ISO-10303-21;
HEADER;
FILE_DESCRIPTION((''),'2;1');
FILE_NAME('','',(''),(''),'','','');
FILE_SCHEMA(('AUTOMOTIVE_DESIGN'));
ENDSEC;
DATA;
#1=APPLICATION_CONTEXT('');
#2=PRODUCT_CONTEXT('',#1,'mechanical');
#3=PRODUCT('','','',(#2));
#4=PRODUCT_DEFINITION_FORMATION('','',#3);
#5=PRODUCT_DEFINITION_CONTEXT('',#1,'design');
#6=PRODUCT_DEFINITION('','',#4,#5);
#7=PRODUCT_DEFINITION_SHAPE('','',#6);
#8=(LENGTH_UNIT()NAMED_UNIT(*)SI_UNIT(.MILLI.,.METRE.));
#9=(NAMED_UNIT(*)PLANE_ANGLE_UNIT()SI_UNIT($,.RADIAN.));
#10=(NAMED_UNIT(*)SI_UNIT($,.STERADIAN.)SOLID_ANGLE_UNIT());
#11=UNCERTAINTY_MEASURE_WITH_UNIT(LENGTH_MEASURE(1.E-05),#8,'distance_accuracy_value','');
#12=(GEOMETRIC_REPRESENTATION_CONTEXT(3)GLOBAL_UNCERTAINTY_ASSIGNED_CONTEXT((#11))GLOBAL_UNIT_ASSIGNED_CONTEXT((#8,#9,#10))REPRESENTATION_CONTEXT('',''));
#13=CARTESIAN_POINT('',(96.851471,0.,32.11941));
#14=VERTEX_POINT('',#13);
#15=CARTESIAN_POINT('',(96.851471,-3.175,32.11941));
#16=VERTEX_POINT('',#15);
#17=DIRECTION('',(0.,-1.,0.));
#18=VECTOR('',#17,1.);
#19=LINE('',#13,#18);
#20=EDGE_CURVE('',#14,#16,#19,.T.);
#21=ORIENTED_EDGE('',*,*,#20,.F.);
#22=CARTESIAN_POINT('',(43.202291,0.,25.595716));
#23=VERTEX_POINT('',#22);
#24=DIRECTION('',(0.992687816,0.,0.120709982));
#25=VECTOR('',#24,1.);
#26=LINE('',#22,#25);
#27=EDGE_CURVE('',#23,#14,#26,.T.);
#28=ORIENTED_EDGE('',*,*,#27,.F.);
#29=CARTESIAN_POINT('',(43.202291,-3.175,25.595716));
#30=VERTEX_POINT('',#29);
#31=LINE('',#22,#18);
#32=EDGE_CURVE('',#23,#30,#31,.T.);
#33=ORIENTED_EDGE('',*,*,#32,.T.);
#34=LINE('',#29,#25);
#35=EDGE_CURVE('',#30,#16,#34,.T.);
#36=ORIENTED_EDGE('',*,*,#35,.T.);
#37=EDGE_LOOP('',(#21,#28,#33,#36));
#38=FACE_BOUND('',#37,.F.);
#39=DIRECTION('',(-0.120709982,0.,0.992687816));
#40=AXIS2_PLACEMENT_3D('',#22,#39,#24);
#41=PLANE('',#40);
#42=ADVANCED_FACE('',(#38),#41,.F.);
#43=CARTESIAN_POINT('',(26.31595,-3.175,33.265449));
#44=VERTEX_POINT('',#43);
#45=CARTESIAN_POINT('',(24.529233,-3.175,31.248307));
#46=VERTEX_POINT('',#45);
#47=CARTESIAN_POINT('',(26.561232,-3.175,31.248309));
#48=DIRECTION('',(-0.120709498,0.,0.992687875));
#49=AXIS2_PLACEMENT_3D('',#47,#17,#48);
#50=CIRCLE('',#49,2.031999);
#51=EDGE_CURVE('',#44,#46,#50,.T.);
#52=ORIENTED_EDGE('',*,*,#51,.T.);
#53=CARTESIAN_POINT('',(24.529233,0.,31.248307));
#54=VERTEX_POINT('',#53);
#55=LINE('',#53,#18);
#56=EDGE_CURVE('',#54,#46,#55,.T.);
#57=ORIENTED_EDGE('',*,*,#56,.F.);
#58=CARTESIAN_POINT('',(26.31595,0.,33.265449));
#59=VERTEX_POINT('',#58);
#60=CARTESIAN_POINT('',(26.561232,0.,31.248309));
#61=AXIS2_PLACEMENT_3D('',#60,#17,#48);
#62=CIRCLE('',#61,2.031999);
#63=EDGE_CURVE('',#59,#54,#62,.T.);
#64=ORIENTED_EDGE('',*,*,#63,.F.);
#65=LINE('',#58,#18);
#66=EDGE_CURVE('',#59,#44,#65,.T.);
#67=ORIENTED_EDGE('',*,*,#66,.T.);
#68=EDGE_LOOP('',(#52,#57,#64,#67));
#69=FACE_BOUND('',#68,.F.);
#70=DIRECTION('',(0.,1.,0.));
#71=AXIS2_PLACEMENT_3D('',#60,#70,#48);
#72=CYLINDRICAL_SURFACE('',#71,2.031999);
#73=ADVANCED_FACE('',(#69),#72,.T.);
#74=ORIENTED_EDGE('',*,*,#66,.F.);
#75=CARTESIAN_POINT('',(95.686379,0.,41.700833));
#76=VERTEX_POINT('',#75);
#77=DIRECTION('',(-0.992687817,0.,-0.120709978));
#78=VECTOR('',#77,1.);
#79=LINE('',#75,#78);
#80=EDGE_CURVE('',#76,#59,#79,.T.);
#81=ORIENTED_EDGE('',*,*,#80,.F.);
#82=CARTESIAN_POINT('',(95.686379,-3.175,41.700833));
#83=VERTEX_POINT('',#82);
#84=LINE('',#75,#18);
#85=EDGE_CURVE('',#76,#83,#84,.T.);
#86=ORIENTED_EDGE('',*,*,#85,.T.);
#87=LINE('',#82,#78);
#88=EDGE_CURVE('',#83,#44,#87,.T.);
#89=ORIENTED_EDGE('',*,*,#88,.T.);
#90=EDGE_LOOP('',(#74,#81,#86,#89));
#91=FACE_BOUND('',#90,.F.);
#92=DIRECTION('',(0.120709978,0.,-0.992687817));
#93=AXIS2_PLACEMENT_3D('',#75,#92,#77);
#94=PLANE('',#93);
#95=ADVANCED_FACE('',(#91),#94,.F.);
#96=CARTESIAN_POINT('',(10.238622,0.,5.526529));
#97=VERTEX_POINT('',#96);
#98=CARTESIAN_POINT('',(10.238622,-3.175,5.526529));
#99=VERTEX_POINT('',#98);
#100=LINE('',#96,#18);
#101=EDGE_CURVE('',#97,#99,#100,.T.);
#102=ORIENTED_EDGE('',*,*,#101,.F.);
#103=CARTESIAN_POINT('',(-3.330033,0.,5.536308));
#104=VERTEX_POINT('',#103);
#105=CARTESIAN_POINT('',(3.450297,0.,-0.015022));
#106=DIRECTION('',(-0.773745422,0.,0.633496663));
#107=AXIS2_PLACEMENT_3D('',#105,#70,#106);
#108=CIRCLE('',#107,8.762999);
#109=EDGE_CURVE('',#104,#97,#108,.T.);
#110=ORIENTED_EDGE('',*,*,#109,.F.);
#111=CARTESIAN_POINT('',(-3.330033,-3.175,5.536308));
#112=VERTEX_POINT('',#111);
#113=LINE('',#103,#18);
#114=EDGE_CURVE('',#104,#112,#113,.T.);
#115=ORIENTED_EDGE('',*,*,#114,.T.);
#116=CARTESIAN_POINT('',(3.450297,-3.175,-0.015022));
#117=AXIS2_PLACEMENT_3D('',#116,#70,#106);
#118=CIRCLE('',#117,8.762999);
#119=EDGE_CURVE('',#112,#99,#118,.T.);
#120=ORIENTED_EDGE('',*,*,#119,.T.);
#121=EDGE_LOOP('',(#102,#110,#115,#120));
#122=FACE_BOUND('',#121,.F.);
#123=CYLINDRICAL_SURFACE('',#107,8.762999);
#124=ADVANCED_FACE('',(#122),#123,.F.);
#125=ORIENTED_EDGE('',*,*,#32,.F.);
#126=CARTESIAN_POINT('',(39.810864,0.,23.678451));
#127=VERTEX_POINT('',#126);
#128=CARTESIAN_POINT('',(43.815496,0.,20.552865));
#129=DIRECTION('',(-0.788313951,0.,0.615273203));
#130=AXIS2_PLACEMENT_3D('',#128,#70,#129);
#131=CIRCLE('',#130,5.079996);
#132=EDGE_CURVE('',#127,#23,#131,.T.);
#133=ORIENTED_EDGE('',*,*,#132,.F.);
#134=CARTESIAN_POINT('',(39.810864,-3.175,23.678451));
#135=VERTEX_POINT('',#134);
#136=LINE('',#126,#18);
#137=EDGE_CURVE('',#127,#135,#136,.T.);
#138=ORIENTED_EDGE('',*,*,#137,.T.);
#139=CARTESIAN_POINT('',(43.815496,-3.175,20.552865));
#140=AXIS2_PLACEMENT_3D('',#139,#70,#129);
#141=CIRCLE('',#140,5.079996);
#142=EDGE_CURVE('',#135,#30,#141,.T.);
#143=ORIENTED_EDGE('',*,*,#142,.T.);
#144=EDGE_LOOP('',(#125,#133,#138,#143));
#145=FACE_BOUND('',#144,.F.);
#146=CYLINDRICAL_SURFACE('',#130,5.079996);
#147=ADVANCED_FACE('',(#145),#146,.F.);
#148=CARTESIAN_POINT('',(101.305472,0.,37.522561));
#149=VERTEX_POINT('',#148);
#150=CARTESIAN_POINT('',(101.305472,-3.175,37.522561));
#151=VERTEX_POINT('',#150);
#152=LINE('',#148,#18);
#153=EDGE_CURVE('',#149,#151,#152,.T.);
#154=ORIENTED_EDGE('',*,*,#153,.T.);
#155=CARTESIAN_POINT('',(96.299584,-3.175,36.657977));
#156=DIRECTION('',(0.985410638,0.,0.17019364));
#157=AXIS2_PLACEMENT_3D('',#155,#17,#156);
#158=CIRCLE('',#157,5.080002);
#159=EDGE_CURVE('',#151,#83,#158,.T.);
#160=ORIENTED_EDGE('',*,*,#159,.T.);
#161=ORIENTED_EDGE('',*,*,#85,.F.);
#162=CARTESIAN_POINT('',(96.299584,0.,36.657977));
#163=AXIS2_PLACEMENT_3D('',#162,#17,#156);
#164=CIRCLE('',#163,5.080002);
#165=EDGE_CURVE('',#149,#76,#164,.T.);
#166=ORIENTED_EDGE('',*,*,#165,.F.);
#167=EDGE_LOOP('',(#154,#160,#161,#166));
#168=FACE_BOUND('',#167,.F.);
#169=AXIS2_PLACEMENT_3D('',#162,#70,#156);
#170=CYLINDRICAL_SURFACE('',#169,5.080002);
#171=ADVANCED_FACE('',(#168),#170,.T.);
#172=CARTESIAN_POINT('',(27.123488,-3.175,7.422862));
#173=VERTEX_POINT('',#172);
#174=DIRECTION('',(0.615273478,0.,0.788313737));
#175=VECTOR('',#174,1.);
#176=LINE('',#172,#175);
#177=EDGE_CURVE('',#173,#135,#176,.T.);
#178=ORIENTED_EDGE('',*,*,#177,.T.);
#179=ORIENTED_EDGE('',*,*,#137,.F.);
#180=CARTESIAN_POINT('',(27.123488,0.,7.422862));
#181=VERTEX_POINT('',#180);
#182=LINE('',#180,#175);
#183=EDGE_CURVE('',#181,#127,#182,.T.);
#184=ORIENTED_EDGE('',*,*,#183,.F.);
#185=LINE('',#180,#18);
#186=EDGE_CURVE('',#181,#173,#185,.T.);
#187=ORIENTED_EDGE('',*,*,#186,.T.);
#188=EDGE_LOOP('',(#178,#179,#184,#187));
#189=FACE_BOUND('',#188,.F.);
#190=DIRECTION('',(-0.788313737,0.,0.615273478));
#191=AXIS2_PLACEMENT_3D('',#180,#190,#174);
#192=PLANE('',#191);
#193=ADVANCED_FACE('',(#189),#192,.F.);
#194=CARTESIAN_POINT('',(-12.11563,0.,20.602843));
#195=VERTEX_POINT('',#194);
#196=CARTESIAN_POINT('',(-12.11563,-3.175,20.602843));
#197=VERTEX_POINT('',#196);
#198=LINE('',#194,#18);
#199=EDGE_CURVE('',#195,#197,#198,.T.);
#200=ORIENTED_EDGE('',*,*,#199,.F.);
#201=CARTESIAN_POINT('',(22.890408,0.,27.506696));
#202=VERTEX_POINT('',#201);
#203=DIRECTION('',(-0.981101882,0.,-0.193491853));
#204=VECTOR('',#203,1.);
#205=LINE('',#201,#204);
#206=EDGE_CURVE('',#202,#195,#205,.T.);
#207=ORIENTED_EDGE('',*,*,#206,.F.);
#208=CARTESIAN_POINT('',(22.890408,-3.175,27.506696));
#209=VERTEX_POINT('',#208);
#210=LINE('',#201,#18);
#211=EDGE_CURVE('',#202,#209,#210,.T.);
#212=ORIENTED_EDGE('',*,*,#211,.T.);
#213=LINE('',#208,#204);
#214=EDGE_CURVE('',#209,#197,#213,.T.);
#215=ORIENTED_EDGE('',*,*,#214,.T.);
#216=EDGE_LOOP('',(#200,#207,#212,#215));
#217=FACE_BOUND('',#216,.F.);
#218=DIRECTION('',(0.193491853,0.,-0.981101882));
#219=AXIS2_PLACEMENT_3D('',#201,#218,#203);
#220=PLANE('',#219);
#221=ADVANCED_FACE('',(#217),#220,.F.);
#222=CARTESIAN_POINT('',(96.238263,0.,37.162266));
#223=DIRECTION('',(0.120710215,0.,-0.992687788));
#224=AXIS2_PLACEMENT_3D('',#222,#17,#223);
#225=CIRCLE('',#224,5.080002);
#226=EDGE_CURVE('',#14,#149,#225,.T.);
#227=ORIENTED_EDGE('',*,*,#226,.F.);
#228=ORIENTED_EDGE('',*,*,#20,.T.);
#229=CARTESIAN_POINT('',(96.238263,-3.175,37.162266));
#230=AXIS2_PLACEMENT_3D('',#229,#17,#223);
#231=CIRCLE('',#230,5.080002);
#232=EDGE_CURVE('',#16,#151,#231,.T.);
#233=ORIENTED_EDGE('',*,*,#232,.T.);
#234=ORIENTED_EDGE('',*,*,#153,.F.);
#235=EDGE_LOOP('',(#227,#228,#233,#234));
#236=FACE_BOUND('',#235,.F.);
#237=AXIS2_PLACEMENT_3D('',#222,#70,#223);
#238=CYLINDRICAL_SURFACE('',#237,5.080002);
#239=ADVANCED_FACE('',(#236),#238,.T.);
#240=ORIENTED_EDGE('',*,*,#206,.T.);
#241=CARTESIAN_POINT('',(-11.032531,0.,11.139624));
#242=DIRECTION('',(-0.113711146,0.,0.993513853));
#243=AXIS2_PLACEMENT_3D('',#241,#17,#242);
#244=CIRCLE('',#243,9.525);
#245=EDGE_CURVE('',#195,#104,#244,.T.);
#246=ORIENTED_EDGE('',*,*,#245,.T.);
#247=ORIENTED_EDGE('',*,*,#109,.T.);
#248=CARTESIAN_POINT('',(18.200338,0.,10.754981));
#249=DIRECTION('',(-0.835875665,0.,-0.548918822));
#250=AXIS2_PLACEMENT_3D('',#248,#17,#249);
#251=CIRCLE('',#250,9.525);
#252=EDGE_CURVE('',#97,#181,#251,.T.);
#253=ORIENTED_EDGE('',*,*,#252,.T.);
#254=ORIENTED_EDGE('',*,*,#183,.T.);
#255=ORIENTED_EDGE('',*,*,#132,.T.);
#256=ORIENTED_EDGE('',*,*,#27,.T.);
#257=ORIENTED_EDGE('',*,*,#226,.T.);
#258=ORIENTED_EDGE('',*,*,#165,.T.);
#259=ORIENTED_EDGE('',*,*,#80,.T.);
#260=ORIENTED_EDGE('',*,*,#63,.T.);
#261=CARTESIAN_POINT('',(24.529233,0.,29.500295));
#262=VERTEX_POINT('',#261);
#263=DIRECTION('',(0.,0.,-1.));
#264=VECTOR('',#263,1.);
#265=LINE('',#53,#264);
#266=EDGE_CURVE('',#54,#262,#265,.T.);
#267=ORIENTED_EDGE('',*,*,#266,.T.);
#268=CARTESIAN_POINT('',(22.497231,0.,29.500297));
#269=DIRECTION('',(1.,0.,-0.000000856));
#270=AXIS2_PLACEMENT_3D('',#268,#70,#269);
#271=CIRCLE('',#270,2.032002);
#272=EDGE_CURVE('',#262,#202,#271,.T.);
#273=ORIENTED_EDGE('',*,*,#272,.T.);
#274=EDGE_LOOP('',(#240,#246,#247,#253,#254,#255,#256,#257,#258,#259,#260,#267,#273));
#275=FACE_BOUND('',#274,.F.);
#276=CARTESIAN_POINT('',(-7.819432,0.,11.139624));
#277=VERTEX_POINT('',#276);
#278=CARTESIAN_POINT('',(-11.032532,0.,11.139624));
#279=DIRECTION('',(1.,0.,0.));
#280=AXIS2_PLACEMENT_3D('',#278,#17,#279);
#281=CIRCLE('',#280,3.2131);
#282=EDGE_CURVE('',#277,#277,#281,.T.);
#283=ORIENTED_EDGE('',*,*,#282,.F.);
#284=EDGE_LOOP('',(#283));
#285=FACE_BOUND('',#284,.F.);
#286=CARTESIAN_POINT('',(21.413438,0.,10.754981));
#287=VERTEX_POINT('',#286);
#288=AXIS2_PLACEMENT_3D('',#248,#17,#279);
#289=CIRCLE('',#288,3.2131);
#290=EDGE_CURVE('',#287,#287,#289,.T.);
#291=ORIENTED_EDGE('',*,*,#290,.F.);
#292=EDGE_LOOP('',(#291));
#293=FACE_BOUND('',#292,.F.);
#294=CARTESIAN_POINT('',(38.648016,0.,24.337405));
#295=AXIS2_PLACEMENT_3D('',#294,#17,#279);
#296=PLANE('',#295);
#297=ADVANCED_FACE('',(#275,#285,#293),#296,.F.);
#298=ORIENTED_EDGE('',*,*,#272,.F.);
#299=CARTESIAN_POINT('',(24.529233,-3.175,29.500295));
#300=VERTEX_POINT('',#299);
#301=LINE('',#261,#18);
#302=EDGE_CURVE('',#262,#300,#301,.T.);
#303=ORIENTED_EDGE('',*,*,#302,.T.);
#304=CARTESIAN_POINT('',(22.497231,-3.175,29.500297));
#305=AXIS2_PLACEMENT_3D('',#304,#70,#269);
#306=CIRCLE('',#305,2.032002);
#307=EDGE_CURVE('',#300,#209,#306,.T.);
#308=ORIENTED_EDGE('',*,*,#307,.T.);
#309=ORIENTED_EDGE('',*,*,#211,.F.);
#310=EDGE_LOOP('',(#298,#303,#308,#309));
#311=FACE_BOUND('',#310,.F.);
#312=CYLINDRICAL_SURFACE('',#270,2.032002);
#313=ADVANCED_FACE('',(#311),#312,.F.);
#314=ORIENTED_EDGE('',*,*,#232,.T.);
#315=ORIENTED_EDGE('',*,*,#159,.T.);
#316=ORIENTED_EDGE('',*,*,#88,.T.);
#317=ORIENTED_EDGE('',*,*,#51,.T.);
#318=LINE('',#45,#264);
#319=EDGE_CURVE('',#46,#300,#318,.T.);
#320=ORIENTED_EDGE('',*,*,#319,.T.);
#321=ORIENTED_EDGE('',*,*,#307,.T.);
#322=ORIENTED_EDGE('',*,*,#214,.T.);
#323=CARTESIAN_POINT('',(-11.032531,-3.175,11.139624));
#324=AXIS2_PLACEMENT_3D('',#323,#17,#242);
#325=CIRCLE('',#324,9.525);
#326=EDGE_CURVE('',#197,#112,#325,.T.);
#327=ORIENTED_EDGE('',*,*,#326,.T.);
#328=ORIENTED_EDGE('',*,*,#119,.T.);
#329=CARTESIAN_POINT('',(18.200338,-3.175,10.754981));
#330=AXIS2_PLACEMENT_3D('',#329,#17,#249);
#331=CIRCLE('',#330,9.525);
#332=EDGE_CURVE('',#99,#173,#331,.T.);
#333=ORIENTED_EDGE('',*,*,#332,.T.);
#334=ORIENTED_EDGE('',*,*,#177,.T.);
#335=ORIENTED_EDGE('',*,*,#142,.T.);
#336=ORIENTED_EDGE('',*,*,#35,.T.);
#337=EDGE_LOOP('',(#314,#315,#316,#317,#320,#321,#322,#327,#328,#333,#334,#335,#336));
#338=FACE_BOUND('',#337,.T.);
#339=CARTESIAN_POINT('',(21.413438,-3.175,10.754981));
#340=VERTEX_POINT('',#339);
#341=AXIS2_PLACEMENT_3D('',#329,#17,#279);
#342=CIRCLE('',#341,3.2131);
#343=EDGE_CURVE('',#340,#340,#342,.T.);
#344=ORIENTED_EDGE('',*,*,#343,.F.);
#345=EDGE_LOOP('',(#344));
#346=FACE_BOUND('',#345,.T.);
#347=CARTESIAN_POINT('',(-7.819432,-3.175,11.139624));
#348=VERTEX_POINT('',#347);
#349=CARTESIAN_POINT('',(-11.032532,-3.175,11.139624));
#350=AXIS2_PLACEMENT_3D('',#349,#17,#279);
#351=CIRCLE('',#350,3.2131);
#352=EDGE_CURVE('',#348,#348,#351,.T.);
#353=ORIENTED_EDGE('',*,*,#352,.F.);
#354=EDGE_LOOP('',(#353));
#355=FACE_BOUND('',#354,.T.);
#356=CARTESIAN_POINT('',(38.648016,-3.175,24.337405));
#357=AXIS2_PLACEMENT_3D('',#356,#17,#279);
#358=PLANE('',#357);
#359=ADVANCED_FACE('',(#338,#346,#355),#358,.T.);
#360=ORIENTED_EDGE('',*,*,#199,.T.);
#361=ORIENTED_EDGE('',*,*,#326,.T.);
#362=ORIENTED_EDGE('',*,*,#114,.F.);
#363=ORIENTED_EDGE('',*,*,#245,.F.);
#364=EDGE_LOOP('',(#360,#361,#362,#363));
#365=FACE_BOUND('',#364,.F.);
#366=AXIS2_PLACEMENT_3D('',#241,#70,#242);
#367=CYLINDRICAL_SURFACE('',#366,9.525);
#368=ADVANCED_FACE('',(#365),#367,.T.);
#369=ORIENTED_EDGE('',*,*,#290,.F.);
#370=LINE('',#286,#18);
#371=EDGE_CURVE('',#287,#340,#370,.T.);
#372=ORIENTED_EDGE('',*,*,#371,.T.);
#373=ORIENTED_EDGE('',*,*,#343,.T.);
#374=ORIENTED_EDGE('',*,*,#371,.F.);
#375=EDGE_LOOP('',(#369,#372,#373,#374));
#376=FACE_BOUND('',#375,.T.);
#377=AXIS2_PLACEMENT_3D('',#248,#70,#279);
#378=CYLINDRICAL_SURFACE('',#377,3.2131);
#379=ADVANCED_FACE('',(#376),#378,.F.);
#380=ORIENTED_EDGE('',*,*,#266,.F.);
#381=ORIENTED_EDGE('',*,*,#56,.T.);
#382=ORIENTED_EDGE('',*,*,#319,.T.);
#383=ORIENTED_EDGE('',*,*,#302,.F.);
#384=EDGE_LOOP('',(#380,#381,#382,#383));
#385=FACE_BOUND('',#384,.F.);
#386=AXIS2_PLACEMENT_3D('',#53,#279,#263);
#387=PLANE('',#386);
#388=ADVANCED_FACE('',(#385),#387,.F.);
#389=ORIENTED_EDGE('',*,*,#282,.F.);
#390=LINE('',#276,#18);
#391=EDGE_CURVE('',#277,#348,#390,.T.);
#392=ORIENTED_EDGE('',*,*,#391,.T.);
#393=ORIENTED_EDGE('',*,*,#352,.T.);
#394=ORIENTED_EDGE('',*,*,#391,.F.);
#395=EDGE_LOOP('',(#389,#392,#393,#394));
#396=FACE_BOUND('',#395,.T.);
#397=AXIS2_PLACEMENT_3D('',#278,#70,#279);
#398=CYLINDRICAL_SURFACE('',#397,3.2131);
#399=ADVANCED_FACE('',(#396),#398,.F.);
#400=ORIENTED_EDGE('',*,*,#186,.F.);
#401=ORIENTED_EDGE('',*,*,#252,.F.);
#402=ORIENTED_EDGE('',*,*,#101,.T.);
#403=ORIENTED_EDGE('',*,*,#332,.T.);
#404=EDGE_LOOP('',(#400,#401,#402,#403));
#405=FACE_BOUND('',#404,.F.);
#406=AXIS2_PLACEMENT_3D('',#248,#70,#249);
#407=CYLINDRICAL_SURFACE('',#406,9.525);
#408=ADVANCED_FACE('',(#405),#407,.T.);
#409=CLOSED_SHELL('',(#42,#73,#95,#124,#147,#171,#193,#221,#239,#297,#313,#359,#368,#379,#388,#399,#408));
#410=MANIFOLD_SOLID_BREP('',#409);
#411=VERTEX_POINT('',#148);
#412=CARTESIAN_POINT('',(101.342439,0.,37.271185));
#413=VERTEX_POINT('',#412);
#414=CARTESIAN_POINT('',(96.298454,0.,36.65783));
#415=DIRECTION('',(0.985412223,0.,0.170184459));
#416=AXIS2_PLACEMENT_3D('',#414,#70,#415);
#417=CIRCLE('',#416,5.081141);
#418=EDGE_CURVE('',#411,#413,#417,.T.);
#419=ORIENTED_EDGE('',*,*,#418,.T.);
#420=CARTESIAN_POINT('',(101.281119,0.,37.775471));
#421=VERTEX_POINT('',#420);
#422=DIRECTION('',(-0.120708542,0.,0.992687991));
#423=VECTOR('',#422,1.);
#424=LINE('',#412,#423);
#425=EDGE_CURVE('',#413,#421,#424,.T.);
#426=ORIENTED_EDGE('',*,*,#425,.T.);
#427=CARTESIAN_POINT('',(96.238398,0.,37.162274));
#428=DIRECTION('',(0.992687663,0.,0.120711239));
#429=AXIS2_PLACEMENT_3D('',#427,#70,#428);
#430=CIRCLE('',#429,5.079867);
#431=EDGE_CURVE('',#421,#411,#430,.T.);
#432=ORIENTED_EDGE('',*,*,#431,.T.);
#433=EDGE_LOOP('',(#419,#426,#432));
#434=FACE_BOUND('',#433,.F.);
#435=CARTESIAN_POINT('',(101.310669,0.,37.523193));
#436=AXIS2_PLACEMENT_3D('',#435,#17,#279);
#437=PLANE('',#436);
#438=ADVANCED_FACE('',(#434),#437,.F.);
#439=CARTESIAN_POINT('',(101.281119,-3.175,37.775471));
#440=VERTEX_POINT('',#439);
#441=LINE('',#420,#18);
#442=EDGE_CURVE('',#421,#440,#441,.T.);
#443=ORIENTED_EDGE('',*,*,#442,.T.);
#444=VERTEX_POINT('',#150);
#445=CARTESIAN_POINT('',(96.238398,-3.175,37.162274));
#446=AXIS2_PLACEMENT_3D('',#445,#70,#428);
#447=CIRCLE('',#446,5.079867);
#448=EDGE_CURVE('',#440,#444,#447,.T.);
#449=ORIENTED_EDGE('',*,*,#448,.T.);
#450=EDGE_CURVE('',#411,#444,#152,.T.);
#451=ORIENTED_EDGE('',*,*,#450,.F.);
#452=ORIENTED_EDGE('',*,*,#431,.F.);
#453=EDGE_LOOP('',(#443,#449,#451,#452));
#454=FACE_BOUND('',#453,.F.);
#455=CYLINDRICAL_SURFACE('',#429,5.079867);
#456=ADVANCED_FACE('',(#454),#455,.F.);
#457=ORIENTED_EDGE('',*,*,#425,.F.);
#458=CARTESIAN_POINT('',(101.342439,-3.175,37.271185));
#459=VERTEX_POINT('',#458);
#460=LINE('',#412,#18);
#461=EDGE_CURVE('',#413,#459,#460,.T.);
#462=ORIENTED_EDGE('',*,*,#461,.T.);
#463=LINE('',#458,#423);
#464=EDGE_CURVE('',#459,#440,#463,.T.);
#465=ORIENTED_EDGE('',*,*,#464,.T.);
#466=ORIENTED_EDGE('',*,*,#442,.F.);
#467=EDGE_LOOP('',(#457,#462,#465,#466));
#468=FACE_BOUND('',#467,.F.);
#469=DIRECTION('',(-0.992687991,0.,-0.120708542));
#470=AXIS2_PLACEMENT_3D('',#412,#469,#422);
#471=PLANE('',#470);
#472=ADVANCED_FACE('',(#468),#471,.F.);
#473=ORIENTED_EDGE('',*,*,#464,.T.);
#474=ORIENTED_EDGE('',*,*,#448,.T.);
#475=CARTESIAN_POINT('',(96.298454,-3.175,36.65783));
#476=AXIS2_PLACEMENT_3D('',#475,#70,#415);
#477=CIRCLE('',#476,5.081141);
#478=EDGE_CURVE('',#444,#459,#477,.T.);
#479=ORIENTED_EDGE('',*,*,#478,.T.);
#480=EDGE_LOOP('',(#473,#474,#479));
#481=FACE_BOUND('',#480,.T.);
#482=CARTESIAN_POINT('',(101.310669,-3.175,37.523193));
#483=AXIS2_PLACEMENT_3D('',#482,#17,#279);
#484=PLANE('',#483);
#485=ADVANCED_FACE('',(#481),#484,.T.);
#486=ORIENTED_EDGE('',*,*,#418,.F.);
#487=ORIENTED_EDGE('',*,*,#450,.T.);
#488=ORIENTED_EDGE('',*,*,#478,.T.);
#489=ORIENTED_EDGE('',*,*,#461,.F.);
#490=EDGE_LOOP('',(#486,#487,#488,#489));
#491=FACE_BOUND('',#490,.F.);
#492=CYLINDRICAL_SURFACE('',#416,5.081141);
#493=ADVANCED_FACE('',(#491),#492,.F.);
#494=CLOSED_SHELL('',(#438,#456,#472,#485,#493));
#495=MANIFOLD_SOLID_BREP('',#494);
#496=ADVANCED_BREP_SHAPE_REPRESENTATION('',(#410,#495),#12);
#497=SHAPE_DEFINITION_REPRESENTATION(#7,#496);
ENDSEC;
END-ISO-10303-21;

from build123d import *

# Parameters (mm, degrees)
F0_R     = 3.2131
F1_DEPTH = 3.175


with BuildPart() as f1:
    # F0 (on Front) → F1 (new body)
    with BuildSketch(Plane.XZ):
        with BuildLine():
            Line((22.890408, 27.506696), (-12.11563, 20.602843))
            ThreePointArc((-12.11563, 20.602843), (-19.26079, 6.341563), (-3.330033, 5.536308))
            ThreePointArc((-3.330033, 5.536308), (3.456613, 8.747974), (10.238622, 5.526529))
            ThreePointArc((10.238622, 5.526529), (19.263404, 1.28949), (27.123488, 7.422862))
            Line((27.123488, 7.422862), (39.810864, 23.678451))
            ThreePointArc((39.810864, 23.678451), (41.31548, 24.975114), (43.202291, 25.595716))
            Line((43.202291, 25.595716), (96.851471, 32.11941))
            ThreePointArc((96.851471, 32.11941), (100.158122, 33.930993), (101.305472, 37.522561))
            ThreePointArc((101.305472, 37.522561), (99.330822, 40.734497), (95.686379, 41.700833))
            Line((95.686379, 41.700833), (26.31595, 33.265449))
            ThreePointArc((26.31595, 33.265449), (25.040141, 32.59564), (24.529233, 31.248307))
            Line((24.529233, 31.248307), (24.529233, 29.500295))
            ThreePointArc((24.529233, 29.500295), (24.066939, 28.209929), (22.890408, 27.506696))
        make_face()
        with Locations((-11.032532, 11.139624)):
            Circle(F0_R, mode=Mode.SUBTRACT)
        with Locations((18.200338, 10.754981)):
            Circle(F0_R, mode=Mode.SUBTRACT)
        with BuildLine():
            ThreePointArc((101.281119, 37.775471), (101.294877, 37.649168), (101.305472, 37.522561))
            ThreePointArc((101.305472, 37.522561), (101.325527, 37.397104), (101.342439, 37.271185))
            Line((101.342439, 37.271185), (101.281119, 37.775471))
        make_face()
    extrude(amount=F1_DEPTH)


solid = f1.part
